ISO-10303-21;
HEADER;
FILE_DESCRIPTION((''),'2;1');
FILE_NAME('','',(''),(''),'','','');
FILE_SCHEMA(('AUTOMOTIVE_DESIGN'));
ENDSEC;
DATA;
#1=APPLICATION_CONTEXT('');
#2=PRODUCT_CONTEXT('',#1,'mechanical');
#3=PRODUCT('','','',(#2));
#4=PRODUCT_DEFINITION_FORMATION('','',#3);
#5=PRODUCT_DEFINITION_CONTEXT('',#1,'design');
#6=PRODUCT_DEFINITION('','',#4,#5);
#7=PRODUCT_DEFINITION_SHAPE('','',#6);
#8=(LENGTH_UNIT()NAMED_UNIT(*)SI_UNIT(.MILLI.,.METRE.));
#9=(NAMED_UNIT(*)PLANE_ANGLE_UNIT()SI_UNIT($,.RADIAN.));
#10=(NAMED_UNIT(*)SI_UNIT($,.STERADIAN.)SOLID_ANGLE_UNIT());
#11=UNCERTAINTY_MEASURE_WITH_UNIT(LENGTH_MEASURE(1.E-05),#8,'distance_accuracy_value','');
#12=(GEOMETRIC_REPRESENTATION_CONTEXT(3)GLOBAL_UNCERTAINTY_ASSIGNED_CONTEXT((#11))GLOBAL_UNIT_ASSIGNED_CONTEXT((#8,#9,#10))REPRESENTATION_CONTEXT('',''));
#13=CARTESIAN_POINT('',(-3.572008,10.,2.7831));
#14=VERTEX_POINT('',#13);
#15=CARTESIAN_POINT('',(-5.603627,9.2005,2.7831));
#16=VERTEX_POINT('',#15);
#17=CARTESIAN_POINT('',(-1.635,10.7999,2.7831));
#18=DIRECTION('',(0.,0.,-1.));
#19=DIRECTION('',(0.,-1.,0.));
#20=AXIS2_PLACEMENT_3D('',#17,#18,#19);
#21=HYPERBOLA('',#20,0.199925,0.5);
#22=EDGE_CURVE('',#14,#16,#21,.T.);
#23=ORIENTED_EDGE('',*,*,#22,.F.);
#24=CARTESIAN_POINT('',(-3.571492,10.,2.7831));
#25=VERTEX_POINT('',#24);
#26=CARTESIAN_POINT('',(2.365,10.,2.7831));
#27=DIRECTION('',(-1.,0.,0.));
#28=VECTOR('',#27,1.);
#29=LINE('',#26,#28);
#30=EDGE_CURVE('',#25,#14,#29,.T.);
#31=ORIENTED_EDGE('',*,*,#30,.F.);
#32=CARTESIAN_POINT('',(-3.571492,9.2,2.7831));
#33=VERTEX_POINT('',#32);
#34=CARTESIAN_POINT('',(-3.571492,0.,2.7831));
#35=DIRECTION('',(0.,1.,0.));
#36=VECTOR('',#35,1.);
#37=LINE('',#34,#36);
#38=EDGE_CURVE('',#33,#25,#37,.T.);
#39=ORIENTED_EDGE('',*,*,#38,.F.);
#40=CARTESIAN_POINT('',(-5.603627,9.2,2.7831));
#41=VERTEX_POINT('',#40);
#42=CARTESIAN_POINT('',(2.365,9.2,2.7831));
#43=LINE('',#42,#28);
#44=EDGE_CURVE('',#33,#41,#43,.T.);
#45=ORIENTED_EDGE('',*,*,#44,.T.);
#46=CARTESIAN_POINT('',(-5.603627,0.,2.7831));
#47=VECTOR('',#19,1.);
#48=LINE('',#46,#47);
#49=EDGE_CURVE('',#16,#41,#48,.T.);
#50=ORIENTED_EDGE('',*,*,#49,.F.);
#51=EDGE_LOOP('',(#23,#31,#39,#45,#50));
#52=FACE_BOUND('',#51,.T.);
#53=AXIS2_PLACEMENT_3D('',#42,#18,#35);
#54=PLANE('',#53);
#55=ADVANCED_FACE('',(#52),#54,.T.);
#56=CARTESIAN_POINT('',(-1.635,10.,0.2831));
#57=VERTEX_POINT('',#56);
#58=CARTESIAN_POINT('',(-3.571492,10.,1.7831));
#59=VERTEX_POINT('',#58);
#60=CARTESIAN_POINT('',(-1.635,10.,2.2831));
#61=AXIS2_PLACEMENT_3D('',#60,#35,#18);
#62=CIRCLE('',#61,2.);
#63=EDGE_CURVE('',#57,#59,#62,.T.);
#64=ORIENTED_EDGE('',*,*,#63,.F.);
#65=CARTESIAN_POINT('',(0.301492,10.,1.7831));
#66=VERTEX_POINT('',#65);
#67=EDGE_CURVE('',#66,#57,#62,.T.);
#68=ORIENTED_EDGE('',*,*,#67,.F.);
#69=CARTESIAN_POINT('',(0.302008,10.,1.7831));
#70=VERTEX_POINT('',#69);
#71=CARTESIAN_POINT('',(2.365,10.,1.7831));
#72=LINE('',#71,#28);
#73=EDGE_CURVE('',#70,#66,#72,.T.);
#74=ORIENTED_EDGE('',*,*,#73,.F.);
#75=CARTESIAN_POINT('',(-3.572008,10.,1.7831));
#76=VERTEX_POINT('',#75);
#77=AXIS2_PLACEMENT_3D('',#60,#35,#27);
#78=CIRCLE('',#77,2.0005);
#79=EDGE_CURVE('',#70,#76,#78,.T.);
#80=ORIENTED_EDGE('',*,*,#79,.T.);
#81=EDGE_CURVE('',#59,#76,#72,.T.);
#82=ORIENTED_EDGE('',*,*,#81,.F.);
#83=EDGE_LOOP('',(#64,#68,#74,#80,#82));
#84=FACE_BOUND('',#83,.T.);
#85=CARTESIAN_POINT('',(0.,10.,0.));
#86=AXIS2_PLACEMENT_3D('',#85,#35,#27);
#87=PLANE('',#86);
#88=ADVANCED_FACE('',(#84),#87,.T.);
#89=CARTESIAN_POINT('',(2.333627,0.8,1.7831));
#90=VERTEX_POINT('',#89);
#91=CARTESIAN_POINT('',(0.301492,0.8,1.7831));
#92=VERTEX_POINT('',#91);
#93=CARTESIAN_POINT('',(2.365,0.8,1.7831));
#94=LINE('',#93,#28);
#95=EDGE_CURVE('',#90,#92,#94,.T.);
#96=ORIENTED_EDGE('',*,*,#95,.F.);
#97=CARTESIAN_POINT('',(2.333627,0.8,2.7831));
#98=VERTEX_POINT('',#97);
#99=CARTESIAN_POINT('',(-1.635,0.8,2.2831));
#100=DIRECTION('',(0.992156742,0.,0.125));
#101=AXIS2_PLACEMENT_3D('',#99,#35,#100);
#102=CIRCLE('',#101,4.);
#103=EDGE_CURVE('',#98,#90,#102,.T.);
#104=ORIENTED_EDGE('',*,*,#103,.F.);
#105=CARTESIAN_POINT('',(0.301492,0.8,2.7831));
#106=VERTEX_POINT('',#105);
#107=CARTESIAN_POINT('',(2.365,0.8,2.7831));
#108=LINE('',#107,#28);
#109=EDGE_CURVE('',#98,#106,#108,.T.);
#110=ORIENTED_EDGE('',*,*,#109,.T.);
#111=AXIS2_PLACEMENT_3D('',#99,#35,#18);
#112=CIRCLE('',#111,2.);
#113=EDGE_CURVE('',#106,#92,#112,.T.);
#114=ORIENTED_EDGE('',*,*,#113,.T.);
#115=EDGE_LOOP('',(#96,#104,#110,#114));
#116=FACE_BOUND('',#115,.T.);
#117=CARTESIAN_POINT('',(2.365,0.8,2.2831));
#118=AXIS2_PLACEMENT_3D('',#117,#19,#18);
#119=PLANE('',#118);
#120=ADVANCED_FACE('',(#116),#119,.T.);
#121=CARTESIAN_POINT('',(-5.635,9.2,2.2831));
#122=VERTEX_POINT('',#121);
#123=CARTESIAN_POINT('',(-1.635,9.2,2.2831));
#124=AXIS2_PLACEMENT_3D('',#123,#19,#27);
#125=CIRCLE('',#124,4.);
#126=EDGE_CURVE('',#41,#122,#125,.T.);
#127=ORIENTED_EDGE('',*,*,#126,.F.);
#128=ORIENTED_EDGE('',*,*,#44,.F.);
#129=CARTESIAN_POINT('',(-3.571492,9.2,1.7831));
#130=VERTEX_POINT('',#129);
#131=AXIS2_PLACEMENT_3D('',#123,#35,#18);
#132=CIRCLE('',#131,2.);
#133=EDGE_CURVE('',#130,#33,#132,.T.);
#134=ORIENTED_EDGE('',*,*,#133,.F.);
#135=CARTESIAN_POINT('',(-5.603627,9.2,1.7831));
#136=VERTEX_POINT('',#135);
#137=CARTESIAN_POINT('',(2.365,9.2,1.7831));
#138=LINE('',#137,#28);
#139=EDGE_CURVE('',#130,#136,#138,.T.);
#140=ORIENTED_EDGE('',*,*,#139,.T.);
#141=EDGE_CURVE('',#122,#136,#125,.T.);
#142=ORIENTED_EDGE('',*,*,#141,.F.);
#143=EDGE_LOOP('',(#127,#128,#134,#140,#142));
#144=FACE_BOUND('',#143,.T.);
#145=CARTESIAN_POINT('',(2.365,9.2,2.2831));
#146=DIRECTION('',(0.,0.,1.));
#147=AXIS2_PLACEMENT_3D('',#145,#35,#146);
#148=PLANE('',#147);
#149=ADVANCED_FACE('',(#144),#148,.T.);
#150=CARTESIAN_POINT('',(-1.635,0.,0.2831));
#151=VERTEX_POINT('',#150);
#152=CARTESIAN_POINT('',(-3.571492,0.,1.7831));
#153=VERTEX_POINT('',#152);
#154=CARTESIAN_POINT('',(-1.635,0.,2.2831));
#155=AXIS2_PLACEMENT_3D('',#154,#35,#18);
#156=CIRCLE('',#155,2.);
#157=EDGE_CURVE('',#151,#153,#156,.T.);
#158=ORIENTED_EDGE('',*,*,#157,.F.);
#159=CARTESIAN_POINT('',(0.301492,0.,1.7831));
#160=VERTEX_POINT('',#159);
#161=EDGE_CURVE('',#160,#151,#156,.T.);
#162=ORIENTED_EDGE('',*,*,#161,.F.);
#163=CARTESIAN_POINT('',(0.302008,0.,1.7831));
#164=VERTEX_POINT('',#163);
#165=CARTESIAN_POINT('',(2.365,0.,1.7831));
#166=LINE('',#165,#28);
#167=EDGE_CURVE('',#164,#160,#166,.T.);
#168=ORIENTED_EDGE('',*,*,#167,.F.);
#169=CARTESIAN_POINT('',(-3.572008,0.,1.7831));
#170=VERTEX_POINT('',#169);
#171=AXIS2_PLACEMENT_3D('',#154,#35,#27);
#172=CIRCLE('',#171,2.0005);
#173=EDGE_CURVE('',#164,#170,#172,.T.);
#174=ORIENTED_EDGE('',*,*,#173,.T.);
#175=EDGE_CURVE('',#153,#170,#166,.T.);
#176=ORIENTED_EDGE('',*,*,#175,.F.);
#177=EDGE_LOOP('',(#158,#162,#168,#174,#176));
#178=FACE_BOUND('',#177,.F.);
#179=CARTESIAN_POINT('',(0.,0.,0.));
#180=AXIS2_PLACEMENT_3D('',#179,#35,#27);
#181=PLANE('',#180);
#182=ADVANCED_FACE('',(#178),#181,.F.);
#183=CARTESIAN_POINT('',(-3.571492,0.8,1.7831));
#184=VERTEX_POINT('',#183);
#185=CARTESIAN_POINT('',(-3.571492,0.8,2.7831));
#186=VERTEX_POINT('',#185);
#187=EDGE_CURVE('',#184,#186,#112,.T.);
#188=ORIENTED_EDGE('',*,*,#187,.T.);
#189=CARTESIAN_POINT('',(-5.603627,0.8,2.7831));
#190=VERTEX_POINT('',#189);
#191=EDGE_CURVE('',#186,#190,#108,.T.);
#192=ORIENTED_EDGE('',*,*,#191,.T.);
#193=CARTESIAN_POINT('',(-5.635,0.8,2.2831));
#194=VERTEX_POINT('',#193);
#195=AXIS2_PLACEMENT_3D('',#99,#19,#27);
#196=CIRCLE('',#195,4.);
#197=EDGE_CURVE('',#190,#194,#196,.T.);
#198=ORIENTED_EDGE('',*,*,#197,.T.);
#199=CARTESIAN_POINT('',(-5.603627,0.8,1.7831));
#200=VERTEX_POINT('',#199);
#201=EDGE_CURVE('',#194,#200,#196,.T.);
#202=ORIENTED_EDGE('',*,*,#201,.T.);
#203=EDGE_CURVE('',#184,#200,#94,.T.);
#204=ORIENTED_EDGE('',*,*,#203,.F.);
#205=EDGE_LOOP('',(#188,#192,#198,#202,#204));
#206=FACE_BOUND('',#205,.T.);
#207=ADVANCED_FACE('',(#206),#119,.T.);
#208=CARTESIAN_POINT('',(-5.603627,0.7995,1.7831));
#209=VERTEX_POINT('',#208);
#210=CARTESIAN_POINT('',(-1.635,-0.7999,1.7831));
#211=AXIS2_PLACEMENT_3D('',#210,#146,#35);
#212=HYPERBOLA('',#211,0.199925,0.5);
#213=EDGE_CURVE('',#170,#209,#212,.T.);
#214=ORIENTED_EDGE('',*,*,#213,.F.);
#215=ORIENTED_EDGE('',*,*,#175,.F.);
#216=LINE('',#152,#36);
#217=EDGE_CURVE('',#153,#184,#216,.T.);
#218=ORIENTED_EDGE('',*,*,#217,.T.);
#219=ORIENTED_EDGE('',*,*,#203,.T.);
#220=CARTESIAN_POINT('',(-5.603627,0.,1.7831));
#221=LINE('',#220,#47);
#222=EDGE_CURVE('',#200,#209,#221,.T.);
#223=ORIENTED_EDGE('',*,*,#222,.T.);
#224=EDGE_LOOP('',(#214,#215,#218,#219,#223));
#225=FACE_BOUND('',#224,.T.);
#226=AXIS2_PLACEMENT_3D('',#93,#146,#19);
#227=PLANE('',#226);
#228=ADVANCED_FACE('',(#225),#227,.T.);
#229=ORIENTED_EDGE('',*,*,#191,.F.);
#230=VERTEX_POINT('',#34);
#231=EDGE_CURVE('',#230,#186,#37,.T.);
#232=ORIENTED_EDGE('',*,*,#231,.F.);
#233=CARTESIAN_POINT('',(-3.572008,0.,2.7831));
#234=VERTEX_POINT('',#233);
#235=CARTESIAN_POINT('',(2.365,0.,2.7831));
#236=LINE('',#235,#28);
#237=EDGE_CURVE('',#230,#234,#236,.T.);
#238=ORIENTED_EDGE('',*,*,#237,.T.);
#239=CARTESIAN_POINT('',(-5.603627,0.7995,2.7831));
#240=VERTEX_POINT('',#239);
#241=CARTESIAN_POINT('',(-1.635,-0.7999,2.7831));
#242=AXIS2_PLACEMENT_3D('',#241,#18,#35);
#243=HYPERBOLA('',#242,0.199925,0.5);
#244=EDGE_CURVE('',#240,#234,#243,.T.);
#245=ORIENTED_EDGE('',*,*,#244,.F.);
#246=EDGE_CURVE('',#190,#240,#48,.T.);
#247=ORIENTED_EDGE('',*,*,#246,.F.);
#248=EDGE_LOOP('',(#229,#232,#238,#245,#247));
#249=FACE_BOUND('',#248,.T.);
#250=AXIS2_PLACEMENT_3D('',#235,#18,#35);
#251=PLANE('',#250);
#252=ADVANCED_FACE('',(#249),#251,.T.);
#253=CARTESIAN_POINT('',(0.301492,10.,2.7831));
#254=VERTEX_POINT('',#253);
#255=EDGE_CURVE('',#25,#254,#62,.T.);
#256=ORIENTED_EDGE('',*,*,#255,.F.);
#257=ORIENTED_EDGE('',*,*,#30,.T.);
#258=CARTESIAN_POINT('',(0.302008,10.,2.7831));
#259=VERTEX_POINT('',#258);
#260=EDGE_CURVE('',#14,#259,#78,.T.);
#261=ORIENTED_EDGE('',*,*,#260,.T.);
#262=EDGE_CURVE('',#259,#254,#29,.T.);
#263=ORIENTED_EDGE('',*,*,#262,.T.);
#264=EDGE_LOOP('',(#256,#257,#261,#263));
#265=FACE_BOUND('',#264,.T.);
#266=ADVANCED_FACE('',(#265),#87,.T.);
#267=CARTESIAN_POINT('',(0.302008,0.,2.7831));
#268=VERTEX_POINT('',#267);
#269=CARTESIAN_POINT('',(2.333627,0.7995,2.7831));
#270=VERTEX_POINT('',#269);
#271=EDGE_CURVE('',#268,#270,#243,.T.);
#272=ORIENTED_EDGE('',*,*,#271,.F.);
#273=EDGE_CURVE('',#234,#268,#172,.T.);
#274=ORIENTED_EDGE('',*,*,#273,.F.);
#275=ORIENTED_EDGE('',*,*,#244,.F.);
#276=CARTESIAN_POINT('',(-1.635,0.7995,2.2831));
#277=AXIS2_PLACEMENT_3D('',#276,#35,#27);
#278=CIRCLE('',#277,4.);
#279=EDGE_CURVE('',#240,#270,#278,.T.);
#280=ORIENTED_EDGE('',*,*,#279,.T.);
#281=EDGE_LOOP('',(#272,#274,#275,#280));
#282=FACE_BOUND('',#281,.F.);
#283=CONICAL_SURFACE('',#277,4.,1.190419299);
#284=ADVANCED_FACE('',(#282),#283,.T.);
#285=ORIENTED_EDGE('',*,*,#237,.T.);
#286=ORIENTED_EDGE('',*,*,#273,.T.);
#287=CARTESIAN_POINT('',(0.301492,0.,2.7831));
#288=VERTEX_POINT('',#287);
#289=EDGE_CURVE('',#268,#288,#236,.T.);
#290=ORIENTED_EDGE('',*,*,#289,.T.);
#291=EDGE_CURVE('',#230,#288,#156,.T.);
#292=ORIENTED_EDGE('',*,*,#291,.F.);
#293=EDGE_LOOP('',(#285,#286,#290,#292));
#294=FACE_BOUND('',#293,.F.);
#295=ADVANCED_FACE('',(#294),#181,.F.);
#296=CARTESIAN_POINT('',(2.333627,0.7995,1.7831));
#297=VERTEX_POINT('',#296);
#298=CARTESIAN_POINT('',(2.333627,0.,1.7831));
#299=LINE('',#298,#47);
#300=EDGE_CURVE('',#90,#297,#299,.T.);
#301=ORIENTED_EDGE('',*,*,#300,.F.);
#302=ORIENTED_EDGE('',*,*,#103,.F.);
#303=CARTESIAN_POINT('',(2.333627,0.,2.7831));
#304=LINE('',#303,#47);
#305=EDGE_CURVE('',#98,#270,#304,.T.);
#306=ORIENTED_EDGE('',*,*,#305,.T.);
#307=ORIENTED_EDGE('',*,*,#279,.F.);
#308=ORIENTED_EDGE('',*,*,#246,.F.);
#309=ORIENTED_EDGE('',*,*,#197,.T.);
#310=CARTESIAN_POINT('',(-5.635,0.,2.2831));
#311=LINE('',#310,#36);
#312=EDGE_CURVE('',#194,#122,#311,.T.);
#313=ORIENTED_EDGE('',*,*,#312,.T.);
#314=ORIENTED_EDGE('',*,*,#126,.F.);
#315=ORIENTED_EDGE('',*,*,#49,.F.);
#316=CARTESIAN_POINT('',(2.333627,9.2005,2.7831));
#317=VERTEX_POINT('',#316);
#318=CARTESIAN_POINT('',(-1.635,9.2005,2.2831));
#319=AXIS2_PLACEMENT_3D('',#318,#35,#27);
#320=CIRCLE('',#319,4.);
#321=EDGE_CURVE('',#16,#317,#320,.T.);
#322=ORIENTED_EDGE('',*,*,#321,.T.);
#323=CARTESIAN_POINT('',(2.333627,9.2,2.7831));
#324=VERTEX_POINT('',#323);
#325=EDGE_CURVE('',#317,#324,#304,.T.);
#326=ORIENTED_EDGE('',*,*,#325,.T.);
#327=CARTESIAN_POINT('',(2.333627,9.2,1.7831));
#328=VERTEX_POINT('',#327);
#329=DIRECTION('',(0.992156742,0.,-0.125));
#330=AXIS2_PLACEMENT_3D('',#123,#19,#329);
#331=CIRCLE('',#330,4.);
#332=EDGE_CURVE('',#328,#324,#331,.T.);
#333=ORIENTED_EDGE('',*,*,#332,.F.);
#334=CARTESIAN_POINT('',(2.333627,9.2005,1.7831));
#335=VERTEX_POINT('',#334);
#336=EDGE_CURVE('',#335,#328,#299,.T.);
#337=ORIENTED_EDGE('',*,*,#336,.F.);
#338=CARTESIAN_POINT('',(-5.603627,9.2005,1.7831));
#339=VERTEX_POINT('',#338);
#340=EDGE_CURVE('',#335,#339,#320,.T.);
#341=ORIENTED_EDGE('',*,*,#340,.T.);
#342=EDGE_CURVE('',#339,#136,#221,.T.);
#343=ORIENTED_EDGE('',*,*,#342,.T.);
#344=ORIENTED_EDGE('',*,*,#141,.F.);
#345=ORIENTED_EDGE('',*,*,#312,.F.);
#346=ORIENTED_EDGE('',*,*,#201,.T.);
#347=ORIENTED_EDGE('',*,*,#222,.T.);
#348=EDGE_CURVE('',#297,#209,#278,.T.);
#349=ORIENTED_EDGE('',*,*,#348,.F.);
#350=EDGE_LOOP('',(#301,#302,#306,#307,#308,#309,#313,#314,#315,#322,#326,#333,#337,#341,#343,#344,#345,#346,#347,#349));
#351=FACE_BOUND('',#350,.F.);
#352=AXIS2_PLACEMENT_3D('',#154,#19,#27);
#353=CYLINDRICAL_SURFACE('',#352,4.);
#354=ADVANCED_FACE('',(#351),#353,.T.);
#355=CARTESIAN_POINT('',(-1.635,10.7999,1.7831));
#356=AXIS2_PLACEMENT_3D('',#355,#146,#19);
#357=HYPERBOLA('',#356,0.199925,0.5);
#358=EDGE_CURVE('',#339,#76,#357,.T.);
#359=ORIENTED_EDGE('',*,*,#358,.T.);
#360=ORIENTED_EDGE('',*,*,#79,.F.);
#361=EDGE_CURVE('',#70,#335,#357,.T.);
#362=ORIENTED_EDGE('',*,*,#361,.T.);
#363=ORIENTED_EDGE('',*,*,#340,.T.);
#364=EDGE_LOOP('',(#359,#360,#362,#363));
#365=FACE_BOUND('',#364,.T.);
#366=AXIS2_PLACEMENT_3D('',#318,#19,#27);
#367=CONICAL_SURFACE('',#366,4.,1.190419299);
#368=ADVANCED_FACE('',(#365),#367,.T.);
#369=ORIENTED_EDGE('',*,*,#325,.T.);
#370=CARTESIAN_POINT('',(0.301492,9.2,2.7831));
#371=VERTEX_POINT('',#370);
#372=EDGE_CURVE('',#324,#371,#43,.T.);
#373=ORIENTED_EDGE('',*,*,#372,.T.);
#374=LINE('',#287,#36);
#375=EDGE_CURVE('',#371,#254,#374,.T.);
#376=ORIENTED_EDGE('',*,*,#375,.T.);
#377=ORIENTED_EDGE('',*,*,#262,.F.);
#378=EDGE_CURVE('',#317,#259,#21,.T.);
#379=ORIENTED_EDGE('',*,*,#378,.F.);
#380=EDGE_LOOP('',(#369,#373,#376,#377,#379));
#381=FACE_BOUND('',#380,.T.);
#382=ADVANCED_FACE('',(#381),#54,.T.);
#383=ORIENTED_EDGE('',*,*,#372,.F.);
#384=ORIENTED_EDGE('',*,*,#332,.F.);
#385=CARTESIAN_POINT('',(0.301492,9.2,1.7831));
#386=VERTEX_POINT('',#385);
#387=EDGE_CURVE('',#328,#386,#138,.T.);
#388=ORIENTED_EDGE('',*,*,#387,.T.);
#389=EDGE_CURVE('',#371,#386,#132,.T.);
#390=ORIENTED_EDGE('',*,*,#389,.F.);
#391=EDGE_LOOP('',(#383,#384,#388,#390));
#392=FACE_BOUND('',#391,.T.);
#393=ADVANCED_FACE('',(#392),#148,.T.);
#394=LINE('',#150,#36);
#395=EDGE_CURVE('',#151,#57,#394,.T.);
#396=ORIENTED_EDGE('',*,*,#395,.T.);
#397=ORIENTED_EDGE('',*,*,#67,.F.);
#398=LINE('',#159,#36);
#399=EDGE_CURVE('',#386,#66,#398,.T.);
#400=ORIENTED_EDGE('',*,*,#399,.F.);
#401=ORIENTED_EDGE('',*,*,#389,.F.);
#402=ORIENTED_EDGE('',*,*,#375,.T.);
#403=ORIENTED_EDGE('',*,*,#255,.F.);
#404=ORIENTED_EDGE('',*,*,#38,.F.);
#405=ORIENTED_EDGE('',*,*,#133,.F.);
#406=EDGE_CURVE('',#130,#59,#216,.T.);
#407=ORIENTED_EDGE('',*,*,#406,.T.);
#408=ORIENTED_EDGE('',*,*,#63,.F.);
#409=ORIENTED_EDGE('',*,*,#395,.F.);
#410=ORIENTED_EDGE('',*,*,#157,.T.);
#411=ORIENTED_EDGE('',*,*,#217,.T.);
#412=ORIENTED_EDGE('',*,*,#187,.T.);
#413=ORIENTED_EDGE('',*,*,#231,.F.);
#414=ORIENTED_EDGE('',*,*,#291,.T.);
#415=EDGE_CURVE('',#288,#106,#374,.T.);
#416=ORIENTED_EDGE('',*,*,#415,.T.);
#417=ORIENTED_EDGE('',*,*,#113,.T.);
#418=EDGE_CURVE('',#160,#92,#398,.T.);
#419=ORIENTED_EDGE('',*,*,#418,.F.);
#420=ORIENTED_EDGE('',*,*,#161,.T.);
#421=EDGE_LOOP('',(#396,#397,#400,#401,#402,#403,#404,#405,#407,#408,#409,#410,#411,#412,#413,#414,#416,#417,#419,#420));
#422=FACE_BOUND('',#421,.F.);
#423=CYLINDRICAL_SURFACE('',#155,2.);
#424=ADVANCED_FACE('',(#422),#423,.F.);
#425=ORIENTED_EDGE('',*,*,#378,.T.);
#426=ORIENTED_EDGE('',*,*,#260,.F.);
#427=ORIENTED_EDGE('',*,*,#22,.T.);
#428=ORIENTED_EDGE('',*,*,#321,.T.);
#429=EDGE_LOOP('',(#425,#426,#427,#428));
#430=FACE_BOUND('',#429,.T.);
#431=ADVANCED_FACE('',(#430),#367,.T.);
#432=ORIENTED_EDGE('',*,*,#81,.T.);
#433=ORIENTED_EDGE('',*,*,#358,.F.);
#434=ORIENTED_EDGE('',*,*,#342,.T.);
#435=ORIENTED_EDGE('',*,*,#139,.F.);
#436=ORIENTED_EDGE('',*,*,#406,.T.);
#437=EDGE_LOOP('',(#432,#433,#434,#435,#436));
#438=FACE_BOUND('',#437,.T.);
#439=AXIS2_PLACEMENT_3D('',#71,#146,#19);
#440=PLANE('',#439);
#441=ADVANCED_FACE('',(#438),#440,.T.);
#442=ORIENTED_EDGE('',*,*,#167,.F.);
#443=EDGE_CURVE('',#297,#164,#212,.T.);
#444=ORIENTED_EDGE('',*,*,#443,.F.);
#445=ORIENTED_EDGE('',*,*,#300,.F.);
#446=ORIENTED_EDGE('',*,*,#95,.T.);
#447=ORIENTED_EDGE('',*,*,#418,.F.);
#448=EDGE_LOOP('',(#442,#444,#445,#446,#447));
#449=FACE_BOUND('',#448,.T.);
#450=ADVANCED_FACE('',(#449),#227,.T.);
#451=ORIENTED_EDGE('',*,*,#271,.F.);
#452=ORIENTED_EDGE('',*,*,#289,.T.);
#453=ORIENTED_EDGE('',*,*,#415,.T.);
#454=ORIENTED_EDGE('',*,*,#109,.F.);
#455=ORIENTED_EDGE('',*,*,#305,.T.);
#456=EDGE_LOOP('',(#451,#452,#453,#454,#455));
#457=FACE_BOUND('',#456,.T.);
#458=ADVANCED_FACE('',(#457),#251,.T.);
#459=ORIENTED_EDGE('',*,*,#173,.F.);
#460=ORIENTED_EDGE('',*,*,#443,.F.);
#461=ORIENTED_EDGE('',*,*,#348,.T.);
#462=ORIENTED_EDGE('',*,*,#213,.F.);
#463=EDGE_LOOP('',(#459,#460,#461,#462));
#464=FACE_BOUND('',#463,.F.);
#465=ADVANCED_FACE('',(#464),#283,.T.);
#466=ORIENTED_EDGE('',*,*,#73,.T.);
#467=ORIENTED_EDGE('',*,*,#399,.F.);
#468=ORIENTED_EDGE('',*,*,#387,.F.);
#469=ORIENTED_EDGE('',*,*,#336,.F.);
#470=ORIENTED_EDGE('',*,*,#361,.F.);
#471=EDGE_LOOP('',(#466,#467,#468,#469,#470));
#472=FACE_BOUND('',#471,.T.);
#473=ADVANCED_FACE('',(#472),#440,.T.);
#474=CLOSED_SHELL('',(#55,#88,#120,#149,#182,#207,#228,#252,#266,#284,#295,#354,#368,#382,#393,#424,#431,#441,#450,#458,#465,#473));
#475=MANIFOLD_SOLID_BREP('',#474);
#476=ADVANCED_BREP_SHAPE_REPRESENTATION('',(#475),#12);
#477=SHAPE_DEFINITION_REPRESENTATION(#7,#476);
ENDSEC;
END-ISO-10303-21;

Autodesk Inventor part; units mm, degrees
ref_plane "XZ Plane" through (0, 0, 0) normal (0, 1, 0) x (-1, 0, 0)
ref_plane "XY Plane" through (0, 0, 0) normal (0, 0, 1) x (1, 0, 0)
sketch "Schizzo1" plane through (0, 0, 0) normal (0, 1, 0) x (-1, 0, 0)
  circle A0 centre (1.635, 2.2831) radius 4
  dimension "d2" = 8
extrude "Estrusione1" add sketch "Schizzo1" along normal blind 10
thread "Filettatura1" size "M8x1.25" class "6g" standard "ISO Metric profile" full length
sketch "Schizzo2" plane through (-1.635, 0, 2.2831) normal (0, -1, 0) x (1, 0, 0)
  point P0 (1.635, -2.2831)
  point P1 (0, 0)
hole "Foro1" at (-1.635, 0, 2.2831) direction (0, 1, 0) diameter 4 end through all
thread "Filettatura2" size "M4x0.7" class "6H" standard "ANSI Metric M Profile" full length
chamfer "Smusso1" distance 0.8 distance2 2 2 edges at (2.365, 0, 2.2831) (2.365, 10, 2.2831) measured on face at (-5.5832, 6.6667, 1.6415)
ref_plane "Piano di lavoro1" through (2.365, 0, 2.2831) normal (1, 0, 0) x (0, 1, 0)
sketch "Schizzo3" plane through (2.365, 0, 2.2831) normal (1, 0, 0) x (0, 1, 0)
  line L0 (10, 2) -> (10, -2) projected
  line L1 (0, -2) -> (0, 2) projected
  line L2 (9.2, -4) -> (9.2, 4) projected
  line L3 (0.8, 4) -> (0.8, -4) projected
  line L4 (10, -0.5) -> (9.2, -0.5)
  line L5 (9.2, -0.5) -> (9.2, 0.5)
  line L6 (9.2, 0.5) -> (10, 0.5)
  line L7 (10, 0.5) -> (10, -0.5)
  line L8 (0, 0) -> (10, 0)
  line L9 (0.8, -0.5) -> (0, -0.5)
  line L10 (0, -0.5) -> (0, 0.5)
  line L11 (0, 0.5) -> (0.8, 0.5)
  line L12 (0.8, 0.5) -> (0.8, -0.5)
  point P0 (0, -2.2831)
  point P1 (0.8, 0.5)
  point P2 (0, -0.5)
  dimension "d19" = 1
extrude "Estrusione2" cut sketch "Schizzo3" along normal through all both and the other way through all
properties part number "M8x1.25-M4x0.7 Thread Reductor"
